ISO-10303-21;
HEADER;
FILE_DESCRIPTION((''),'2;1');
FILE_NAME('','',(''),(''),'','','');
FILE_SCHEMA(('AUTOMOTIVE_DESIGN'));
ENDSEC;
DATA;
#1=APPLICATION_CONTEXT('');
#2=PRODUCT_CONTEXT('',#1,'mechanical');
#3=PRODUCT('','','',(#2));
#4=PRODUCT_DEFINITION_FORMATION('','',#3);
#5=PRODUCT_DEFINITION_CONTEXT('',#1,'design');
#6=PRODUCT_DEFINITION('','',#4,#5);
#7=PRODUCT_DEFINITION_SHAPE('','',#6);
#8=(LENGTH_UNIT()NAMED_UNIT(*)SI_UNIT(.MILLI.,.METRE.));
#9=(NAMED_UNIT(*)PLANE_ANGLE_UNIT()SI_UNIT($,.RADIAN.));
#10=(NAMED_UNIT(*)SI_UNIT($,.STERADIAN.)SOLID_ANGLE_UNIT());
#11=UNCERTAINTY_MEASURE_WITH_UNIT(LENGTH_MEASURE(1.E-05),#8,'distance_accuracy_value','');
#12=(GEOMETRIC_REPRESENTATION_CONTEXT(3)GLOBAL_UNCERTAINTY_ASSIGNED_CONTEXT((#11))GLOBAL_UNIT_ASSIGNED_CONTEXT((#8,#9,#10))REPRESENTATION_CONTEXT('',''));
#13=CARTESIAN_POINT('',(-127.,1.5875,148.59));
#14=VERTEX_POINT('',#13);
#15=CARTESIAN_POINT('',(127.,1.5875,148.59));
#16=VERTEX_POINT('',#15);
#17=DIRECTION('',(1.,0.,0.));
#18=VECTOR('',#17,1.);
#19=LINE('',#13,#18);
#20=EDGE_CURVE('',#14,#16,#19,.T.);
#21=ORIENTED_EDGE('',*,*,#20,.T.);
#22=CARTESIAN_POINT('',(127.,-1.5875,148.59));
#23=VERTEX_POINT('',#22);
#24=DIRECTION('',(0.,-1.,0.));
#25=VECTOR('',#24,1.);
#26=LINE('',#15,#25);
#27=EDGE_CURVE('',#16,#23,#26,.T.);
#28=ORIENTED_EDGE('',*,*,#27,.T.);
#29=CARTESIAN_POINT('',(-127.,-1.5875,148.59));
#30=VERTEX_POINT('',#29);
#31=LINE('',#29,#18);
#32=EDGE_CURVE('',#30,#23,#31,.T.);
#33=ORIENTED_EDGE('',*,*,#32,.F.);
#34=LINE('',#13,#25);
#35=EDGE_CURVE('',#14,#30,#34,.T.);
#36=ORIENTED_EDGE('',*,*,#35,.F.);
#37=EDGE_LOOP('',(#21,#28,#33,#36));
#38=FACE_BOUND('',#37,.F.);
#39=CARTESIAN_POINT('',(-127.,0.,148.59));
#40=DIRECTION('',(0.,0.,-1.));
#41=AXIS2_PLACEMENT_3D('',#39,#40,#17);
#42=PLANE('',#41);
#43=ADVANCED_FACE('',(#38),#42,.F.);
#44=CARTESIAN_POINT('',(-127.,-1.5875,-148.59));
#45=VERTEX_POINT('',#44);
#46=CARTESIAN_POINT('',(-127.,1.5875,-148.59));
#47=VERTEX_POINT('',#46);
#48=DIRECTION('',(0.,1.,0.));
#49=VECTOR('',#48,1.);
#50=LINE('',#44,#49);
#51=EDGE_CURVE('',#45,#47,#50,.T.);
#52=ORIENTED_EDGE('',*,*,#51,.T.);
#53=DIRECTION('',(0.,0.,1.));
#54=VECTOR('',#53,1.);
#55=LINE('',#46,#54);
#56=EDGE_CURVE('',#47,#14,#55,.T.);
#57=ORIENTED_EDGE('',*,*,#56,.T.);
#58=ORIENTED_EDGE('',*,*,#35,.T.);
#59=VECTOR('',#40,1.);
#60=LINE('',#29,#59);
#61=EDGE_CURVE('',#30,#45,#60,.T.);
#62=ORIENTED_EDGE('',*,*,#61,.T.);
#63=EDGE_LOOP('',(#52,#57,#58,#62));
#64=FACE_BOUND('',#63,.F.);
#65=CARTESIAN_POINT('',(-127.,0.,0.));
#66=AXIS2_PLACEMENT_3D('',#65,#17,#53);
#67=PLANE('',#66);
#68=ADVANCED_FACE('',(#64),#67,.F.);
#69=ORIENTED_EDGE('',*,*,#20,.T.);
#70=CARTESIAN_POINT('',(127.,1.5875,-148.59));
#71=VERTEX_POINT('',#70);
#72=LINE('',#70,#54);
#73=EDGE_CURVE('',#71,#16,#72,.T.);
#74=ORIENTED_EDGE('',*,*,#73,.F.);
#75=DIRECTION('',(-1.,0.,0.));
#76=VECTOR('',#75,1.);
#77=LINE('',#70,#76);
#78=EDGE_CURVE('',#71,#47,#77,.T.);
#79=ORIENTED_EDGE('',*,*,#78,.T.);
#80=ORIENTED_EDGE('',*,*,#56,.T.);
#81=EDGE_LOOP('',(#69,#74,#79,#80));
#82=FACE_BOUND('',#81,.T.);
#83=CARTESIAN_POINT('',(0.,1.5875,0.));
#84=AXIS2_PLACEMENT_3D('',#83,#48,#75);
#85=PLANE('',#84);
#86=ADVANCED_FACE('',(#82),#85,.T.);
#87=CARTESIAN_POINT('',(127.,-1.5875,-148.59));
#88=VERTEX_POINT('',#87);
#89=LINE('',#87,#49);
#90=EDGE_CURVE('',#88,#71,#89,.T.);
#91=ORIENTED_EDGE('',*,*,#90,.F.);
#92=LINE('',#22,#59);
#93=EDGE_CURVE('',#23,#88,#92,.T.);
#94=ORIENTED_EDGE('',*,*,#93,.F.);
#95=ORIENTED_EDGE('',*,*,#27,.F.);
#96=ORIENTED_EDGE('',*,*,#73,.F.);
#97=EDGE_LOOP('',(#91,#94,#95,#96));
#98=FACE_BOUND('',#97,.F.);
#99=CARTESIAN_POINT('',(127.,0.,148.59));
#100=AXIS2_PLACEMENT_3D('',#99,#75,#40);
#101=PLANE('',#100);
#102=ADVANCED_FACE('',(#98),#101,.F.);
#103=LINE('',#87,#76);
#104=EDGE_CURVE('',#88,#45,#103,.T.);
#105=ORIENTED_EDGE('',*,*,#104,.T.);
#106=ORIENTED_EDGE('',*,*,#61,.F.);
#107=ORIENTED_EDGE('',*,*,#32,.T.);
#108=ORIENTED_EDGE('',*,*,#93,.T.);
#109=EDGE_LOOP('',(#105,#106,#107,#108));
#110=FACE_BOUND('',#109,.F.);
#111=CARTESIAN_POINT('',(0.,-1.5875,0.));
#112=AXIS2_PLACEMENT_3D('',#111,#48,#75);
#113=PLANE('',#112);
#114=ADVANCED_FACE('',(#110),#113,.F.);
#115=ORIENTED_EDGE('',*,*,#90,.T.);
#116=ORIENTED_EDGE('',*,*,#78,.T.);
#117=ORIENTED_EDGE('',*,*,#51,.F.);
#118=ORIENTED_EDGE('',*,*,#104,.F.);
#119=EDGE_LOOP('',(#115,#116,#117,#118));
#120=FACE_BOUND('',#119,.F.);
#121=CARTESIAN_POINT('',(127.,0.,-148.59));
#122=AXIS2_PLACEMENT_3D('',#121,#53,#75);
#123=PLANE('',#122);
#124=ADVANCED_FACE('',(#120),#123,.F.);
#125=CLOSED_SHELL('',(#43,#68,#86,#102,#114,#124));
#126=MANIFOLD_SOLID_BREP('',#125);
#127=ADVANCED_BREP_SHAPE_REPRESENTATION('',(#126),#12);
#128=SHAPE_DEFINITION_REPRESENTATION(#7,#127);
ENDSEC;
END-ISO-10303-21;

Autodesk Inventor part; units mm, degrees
ref_plane "YZ Plane" through (0, 0, 0) normal (1, 0, 0) x (0, 1, 0)
ref_plane "XZ Plane" through (0, 0, 0) normal (0, 1, 0) x (-1, 0, 0)
ref_plane "XY Plane" through (0, 0, 0) normal (0, 0, 1) x (1, 0, 0)
sketch "Sketch1" plane through (0, 0, 0) normal (0, 1, 0) x (-1, 0, 0)
  line L0 (0, -129.5) -> (0, 129.5) projected
  line L1 (-208.026, 0) -> (208.026, 0) projected
  line L2 (208.026, 0) -> (-208.026, 0) projected
  line L3 (0, -129.5) -> (0, 129.5) projected
  line L4 (127, 148.59) -> (-127, 148.59)
  line L5 (-127, 148.59) -> (-127, -148.59)
  line L6 (-127, -148.59) -> (127, -148.59)
  line L7 (127, -148.59) -> (127, 148.59)
  line L8 (127, 148.59) -> (-127, -148.59) construction
  line L9 (-127, 148.59) -> (127, -148.59) construction
  point P0 (0, 0)
  dimension "d0" = 254
  dimension "d1" = 297.18
extrude "Extrusion1" add sketch "Sketch1" along normal mid plane 3.175
properties part number "PlexiPart-01" material "Polycarbonate, Clear"
